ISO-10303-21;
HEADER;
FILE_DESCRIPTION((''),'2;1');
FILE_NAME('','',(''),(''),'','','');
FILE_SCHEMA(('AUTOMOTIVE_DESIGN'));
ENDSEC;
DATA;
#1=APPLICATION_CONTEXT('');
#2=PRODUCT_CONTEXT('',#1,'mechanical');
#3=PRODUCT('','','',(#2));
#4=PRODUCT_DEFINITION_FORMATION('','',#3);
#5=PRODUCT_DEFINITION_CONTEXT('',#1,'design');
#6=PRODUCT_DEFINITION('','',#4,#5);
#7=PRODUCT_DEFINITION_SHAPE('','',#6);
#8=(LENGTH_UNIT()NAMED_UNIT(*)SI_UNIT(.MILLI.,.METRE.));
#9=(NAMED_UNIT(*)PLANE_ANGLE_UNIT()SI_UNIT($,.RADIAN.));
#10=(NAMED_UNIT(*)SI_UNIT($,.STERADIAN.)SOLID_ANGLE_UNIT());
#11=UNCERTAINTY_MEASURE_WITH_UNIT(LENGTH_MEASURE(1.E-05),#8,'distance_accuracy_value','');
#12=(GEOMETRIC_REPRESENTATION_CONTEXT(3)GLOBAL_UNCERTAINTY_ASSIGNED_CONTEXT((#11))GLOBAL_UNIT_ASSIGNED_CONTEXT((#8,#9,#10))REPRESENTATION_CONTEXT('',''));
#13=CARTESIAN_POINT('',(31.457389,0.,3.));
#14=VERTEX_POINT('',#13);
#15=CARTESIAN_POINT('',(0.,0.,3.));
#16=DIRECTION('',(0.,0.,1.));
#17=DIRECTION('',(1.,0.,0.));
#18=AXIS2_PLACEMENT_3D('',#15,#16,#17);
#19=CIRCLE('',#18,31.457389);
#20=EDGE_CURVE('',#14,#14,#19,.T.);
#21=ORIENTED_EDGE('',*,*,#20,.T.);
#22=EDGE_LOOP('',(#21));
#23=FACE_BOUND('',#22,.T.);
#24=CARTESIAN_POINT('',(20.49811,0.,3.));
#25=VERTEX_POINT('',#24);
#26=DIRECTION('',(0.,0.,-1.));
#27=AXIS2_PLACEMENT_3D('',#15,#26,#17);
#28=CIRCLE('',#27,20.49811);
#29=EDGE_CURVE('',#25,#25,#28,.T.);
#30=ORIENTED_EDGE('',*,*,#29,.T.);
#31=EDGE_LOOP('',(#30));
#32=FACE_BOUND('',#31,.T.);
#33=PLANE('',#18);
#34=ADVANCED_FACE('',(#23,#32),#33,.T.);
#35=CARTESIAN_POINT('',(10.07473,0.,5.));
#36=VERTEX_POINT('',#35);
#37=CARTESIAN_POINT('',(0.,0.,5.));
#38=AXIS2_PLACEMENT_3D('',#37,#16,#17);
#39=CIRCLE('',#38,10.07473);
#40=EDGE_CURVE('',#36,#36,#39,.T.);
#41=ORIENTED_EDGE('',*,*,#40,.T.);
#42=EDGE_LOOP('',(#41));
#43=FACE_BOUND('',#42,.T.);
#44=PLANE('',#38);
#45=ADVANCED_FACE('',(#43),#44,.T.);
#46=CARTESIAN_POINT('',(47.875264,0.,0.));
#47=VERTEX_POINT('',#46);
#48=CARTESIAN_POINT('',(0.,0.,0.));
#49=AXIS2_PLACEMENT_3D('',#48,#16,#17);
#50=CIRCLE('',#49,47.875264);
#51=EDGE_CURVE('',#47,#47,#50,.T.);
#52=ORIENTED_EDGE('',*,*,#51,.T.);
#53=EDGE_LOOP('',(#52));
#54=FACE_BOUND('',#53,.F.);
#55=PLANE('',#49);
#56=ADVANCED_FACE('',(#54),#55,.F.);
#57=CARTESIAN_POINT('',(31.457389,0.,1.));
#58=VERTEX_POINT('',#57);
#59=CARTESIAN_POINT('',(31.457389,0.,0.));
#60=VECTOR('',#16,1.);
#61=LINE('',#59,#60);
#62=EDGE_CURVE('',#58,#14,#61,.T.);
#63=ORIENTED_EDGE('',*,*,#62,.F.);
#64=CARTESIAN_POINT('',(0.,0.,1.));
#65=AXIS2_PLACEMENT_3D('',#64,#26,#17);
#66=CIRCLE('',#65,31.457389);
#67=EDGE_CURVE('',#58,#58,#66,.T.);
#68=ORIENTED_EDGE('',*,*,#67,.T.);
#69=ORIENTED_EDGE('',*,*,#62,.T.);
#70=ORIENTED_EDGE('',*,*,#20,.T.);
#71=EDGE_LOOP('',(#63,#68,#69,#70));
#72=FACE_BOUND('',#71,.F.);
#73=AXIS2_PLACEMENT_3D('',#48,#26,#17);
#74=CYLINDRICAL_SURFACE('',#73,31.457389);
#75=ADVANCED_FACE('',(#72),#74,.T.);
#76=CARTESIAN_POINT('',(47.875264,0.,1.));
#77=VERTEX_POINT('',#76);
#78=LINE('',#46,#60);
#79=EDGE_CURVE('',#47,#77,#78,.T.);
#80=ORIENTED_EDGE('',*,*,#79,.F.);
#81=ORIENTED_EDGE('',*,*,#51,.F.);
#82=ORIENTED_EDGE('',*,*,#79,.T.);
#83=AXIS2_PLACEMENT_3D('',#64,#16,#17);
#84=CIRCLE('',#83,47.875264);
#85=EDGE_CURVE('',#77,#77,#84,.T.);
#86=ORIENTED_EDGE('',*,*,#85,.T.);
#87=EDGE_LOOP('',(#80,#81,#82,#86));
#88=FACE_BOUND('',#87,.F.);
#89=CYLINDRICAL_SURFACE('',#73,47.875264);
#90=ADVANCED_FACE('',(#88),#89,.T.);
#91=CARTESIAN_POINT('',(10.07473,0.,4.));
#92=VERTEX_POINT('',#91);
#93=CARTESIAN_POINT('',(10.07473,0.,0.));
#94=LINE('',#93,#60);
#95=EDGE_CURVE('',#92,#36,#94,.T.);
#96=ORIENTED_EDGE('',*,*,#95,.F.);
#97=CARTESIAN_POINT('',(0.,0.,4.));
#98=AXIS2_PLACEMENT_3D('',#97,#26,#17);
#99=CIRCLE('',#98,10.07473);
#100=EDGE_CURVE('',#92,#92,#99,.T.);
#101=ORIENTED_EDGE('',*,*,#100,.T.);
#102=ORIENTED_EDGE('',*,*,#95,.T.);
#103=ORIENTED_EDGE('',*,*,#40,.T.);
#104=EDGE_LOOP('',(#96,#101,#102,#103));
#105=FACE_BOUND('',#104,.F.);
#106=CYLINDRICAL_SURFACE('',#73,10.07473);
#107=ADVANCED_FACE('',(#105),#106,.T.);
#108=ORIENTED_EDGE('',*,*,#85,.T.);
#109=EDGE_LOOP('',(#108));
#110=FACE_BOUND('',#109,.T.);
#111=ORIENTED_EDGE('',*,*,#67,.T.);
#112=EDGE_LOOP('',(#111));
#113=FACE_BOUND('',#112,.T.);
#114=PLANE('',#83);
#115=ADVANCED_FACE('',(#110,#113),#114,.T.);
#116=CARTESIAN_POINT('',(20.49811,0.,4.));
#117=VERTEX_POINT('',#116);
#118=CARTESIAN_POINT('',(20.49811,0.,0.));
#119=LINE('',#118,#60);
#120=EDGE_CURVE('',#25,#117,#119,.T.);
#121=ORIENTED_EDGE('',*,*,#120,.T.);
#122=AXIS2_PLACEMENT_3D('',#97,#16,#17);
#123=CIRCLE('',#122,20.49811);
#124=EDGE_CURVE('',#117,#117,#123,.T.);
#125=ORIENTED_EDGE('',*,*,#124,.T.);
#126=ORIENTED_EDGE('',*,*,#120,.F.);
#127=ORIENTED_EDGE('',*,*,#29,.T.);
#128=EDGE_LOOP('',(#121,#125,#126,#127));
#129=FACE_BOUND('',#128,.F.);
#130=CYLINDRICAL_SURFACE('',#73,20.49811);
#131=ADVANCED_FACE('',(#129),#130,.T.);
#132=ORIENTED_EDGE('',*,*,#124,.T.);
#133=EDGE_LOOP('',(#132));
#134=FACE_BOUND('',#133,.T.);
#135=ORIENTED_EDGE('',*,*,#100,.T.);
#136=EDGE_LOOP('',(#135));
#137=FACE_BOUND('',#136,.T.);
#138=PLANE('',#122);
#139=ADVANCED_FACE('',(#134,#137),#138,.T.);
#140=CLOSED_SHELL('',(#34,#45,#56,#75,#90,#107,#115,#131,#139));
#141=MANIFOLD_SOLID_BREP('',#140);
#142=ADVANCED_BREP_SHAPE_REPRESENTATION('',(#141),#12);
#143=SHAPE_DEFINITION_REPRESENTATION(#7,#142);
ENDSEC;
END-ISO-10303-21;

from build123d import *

# Parameters (mm, degrees)
F0_R     = 47.875264
F1_DEPTH = 1
F2_R     = 31.457389
F3_DEPTH = 3
F4_R     = 20.49811
F5_DEPTH = 4
F6_R     = 10.07473
F7_DEPTH = 5


with BuildPart() as f1:
    # F0 (on Top) → F1 (new body)
    with BuildSketch(Plane.XY):
        Circle(F0_R)
    extrude(amount=F1_DEPTH)

    # F2 (on Top) → F3 (join)
    with BuildSketch(Plane.XY):
        Circle(F2_R)
    extrude(amount=F3_DEPTH)

    # F4 (on Top) → F5 (join)
    with BuildSketch(Plane.XY):
        Circle(F4_R)
    extrude(amount=F5_DEPTH)

    # F6 (on Top) → F7 (join)
    with BuildSketch(Plane.XY):
        Circle(F6_R)
    extrude(amount=F7_DEPTH)


solid = f1.part
